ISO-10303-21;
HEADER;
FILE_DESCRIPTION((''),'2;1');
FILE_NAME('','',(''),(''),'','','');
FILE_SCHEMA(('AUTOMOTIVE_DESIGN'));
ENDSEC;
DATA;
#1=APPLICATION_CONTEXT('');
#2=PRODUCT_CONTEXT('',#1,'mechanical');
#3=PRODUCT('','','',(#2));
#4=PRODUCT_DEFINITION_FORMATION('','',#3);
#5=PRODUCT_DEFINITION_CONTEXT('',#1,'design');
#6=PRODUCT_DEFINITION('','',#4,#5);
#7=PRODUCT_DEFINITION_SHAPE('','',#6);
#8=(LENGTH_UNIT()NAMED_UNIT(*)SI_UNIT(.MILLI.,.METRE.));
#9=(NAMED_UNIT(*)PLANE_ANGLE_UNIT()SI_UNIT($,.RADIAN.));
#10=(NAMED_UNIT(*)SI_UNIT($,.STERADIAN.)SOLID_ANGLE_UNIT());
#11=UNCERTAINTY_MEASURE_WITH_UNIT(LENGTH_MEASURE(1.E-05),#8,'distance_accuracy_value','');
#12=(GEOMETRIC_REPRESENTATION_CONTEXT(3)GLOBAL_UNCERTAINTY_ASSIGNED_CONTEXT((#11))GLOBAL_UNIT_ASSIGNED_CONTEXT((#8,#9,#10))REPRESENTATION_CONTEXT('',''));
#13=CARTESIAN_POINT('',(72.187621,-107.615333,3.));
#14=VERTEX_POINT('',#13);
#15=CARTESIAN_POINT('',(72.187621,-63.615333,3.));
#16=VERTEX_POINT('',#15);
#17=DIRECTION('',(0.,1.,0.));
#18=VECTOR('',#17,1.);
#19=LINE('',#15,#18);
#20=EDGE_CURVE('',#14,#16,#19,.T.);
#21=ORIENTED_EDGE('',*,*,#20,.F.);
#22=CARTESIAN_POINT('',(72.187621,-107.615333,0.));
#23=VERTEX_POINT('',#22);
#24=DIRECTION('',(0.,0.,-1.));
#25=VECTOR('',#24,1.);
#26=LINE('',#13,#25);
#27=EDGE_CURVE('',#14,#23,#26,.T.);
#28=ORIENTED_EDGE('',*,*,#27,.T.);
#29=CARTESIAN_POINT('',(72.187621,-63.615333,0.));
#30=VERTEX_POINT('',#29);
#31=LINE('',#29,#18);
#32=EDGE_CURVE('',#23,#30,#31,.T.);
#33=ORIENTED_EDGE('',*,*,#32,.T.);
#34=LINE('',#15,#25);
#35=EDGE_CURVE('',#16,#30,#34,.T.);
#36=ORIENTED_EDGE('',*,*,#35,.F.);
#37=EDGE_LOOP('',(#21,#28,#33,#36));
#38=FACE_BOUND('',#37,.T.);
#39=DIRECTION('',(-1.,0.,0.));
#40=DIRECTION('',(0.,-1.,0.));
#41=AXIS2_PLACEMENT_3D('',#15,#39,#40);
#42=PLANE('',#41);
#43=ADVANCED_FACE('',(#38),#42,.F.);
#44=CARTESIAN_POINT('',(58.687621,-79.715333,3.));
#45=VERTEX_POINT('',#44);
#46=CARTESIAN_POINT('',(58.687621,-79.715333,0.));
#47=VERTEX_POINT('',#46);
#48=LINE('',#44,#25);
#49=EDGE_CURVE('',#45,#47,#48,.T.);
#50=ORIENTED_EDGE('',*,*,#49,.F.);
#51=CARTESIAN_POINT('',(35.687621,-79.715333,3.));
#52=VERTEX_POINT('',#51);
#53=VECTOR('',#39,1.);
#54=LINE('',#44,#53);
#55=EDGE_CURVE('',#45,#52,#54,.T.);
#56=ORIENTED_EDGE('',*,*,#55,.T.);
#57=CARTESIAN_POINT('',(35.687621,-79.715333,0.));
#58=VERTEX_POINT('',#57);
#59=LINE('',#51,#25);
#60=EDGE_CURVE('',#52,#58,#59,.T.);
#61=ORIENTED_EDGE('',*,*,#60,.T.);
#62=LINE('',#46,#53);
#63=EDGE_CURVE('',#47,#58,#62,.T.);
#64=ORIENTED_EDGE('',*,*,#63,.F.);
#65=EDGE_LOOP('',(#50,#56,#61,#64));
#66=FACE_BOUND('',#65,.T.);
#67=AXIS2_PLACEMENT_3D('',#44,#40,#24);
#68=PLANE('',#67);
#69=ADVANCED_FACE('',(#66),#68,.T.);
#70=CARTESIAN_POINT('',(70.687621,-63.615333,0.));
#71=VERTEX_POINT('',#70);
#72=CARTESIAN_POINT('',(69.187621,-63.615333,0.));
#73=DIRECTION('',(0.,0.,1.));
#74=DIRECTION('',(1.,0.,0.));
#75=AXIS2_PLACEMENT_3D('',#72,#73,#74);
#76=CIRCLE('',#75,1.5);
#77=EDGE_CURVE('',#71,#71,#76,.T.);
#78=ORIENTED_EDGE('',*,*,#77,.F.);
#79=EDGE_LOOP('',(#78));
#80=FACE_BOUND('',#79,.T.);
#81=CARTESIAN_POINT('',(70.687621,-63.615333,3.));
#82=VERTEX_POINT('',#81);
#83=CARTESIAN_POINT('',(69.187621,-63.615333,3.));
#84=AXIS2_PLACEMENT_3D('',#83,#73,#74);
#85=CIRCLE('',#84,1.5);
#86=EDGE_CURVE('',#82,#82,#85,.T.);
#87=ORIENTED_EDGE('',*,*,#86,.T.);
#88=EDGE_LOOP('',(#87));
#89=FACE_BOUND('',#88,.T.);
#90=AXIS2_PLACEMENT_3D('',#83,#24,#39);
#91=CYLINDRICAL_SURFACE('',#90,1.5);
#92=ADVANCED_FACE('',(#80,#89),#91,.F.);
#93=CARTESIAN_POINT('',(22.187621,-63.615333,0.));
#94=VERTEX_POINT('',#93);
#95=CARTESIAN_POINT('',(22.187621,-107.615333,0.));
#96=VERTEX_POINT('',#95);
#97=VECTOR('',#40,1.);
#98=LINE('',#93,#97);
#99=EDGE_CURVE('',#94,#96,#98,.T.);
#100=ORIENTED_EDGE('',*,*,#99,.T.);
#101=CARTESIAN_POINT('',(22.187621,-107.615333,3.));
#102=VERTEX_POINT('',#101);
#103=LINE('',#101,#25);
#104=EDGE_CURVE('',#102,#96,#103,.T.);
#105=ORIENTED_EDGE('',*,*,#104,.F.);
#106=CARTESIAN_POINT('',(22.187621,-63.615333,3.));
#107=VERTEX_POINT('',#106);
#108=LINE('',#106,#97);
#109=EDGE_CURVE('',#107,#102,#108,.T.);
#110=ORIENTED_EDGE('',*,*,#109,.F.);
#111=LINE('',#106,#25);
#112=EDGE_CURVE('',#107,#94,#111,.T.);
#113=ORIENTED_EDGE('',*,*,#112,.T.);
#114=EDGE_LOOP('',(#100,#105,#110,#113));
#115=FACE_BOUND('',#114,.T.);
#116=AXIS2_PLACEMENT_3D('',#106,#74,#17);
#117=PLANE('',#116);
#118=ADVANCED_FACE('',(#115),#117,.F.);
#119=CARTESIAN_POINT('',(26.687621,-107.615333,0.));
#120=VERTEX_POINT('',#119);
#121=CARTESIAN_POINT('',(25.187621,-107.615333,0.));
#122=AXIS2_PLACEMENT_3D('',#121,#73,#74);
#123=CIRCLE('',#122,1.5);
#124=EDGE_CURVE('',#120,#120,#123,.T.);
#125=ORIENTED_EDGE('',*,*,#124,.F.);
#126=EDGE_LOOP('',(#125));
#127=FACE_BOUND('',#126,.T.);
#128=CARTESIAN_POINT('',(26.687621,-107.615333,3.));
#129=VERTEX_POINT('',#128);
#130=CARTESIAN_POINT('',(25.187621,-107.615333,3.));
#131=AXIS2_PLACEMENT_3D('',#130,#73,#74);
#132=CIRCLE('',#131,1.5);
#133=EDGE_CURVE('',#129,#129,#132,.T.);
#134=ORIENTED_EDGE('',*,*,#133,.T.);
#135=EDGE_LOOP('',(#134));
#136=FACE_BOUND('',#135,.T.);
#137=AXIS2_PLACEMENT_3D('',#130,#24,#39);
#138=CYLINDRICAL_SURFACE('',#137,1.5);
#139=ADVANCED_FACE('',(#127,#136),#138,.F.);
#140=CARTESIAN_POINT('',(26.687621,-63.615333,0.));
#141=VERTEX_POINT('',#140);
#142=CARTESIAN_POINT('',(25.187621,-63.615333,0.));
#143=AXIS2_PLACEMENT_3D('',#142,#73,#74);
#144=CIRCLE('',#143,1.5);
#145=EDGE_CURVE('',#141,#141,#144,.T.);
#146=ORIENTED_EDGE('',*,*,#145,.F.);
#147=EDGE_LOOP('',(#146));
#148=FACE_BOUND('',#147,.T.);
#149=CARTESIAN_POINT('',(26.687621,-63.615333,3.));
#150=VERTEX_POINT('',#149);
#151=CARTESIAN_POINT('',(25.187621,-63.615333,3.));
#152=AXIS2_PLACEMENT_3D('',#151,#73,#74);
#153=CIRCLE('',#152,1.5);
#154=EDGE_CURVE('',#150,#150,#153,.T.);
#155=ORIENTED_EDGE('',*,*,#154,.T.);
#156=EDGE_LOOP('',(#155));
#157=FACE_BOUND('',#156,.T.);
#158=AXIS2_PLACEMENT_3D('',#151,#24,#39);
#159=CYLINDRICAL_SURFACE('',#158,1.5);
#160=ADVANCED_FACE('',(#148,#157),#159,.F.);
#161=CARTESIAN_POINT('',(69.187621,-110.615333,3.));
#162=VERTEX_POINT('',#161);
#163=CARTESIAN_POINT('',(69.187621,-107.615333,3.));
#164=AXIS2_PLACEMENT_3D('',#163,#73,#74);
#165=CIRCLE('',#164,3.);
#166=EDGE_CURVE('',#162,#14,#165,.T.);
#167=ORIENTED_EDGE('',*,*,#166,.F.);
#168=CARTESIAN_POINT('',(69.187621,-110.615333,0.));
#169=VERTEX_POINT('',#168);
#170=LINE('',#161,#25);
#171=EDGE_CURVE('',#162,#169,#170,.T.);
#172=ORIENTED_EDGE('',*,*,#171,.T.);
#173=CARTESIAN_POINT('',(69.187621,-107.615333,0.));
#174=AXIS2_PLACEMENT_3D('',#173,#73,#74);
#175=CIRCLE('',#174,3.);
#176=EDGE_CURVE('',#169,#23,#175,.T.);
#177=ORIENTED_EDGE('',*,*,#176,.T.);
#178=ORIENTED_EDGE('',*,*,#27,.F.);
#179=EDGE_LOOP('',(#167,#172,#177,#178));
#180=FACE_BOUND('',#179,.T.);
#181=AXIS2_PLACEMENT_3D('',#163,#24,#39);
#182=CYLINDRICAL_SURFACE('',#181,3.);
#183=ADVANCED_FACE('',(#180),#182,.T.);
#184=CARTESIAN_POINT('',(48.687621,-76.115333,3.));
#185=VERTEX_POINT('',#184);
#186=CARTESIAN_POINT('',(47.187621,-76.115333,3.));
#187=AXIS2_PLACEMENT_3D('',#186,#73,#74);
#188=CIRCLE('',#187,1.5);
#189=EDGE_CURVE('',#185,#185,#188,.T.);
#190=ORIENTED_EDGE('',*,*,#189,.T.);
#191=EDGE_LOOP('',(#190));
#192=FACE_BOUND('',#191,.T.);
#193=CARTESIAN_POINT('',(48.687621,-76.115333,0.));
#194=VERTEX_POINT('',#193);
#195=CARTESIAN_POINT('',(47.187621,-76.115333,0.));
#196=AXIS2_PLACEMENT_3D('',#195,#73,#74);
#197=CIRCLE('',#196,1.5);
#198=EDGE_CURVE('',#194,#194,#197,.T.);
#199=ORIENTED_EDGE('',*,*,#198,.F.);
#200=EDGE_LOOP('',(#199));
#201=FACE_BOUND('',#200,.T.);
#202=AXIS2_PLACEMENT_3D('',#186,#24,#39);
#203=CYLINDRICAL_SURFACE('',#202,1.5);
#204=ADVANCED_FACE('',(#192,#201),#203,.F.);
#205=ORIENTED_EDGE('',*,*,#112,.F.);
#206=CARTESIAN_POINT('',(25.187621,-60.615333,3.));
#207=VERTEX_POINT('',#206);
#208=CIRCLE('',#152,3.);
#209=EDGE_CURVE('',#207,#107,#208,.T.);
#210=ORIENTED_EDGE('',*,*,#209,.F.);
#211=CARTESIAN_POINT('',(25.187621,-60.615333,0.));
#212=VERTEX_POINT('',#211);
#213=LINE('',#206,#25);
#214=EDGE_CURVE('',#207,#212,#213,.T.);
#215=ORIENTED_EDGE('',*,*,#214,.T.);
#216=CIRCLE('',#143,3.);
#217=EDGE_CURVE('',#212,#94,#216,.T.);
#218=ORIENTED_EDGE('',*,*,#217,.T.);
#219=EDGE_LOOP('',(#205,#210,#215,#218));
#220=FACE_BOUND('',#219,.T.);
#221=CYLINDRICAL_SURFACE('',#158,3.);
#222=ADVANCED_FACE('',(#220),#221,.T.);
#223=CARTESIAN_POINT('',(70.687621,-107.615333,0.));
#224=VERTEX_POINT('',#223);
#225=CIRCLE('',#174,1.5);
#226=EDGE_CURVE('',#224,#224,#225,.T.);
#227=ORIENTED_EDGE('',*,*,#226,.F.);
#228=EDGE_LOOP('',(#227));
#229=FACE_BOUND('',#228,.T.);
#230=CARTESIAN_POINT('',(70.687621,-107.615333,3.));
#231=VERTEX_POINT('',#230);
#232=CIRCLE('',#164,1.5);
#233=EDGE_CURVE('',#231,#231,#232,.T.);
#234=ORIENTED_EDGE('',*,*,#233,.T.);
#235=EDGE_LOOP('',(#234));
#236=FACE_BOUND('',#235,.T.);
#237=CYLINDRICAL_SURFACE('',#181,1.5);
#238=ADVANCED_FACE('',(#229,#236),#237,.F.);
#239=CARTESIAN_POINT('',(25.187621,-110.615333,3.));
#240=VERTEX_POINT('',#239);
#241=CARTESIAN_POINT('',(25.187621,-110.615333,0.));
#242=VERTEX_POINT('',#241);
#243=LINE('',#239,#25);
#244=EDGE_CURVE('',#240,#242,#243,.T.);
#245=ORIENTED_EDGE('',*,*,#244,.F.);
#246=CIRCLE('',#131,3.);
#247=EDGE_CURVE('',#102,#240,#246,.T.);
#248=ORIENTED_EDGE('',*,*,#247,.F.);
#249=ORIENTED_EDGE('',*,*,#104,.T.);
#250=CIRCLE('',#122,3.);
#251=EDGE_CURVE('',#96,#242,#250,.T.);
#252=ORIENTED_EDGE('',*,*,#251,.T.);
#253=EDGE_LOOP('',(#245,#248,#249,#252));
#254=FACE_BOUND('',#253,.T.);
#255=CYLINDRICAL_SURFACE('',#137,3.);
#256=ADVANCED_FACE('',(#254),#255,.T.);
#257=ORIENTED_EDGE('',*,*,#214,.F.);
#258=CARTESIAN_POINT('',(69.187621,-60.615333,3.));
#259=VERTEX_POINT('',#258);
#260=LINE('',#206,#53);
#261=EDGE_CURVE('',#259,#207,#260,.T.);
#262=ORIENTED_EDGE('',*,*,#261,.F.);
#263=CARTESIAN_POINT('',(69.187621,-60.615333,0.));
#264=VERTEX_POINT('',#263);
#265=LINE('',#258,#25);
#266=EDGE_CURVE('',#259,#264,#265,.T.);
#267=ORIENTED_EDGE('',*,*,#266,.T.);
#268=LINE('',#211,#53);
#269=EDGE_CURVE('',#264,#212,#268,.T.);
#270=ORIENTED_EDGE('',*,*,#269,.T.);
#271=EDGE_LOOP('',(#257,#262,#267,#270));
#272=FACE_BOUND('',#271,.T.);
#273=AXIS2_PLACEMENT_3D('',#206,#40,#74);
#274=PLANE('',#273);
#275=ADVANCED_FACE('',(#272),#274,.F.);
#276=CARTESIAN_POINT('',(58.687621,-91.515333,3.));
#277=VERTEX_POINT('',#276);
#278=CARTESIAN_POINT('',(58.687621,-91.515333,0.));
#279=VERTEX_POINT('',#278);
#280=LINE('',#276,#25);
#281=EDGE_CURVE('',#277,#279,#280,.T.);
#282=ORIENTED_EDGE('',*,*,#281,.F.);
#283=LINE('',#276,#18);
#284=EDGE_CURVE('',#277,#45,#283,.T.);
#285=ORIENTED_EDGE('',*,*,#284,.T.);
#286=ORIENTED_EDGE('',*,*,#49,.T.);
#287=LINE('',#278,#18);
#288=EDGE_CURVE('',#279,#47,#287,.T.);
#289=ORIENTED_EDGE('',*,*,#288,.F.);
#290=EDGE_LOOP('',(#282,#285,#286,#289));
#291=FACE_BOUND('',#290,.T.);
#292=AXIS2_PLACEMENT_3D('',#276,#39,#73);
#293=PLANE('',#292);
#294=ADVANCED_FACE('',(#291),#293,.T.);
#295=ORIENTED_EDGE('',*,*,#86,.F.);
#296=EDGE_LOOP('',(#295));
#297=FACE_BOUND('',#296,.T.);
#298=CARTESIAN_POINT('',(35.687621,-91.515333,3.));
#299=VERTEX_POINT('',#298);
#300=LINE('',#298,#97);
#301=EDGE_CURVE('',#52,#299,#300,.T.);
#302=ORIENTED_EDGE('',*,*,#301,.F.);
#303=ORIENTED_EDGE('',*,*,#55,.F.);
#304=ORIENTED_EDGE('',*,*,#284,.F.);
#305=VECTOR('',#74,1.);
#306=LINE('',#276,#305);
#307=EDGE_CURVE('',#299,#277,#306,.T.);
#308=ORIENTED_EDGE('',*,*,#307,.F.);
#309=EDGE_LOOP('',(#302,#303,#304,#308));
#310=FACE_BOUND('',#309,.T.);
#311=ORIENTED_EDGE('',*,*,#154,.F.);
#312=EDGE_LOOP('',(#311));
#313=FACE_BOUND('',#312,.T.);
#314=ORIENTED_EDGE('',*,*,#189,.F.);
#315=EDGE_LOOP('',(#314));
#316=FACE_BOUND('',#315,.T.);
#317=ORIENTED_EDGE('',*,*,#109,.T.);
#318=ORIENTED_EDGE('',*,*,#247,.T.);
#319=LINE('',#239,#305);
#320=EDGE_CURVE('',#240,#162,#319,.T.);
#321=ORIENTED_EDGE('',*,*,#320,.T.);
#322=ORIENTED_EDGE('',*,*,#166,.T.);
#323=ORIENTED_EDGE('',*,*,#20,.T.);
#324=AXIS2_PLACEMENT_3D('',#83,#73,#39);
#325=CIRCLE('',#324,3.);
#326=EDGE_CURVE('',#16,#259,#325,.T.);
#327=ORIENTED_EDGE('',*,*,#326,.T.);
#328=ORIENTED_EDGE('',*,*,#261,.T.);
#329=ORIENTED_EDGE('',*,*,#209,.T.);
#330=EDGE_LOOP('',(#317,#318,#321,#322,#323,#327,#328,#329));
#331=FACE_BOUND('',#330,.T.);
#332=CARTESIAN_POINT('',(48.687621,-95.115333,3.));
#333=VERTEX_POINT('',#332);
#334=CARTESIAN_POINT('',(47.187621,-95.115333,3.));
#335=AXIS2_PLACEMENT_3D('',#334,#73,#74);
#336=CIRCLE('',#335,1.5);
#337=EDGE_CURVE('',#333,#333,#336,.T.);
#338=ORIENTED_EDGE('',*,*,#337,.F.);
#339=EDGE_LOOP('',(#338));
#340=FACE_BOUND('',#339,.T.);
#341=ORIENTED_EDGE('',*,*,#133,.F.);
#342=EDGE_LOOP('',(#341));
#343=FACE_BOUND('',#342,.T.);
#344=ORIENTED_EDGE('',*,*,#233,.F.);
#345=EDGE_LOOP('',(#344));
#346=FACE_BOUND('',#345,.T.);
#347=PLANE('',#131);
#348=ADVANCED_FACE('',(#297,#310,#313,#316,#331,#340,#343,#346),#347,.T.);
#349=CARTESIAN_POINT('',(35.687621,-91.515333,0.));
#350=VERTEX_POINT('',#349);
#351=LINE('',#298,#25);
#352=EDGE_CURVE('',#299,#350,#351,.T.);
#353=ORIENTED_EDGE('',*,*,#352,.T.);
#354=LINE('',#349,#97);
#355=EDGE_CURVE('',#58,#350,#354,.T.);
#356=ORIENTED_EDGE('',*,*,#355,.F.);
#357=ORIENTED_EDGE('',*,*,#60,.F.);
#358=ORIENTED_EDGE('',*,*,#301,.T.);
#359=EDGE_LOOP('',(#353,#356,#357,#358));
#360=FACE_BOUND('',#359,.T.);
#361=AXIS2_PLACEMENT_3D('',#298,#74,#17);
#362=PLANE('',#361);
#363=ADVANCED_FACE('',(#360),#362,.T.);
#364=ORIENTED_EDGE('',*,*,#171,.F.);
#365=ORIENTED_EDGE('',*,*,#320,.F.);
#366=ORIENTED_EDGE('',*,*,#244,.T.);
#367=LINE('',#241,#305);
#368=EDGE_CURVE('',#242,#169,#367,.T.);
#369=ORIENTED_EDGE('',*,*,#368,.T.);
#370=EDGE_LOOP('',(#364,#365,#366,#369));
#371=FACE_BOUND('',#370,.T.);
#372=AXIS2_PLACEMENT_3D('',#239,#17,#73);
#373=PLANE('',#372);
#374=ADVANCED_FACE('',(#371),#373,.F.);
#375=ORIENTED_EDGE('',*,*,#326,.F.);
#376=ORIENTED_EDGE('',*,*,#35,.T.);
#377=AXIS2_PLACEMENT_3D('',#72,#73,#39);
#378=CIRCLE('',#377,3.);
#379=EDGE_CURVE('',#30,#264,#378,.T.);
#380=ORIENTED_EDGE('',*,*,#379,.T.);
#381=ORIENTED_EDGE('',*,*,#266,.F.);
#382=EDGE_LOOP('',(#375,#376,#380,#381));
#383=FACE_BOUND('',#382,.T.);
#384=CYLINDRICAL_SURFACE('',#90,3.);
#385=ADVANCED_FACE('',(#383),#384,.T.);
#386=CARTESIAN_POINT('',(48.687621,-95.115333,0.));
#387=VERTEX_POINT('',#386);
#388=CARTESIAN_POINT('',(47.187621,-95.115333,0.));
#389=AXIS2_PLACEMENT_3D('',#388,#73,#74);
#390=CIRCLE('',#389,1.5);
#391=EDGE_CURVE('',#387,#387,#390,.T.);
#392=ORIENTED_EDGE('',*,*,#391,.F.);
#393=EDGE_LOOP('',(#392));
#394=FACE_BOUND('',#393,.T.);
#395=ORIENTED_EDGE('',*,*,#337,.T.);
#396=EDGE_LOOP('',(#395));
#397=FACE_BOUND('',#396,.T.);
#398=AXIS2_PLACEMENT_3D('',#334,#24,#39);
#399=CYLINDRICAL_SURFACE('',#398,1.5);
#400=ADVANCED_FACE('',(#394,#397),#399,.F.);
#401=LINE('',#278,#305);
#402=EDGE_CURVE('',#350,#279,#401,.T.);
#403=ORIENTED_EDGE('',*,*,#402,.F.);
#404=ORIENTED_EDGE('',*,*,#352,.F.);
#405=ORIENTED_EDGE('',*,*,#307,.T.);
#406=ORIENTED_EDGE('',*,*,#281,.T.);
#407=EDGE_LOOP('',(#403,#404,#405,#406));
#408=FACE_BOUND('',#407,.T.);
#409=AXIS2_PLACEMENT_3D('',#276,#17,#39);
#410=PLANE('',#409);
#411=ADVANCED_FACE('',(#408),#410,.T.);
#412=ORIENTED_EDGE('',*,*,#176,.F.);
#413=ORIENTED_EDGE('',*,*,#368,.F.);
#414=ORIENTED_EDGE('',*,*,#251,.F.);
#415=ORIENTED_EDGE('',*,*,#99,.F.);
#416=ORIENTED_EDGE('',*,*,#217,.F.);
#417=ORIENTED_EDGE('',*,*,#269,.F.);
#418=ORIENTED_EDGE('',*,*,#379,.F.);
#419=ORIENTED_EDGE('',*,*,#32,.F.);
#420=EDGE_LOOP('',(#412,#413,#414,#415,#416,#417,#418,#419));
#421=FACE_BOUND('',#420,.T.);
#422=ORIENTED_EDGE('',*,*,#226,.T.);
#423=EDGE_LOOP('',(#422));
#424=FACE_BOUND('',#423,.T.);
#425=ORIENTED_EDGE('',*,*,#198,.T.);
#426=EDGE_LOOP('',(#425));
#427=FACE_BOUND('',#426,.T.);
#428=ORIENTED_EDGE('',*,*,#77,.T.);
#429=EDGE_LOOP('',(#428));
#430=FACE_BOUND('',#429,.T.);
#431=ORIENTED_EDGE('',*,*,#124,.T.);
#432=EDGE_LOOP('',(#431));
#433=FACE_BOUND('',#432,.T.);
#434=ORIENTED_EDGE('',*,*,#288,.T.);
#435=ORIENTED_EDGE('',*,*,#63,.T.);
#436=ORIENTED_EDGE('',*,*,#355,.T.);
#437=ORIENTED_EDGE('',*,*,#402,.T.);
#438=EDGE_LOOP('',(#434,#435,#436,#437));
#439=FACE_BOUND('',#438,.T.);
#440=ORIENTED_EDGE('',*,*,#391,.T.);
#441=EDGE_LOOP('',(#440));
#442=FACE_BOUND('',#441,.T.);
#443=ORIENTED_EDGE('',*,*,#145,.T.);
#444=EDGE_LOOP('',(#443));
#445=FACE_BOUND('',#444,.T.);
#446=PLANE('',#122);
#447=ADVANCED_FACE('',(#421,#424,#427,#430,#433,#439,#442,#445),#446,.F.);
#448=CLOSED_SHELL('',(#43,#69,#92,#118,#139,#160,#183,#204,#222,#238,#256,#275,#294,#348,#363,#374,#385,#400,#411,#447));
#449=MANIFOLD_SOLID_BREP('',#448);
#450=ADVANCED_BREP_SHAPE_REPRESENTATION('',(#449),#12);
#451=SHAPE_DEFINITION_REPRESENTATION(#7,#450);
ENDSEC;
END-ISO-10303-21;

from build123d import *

# Parameters (mm, degrees)
ESQUISSE14_R        = 1.5
ESQUISSE14_W        = 23
ESQUISSE14_H        = 11.8
BOSS_EXTRU_14_DEPTH = 3


with BuildPart() as part:
    # Esquisse14 → Boss.-Extru.14 (new body)
    with BuildSketch(Plane.XY):
        with BuildLine():
            Line((25.187621145, -60.61533349), (69.187621145, -60.61533349))
            ThreePointArc((69.187621145, -60.61533349), (71.308941488, -61.494013147), (72.187621145, -63.61533349))
            Line((72.187621145, -63.61533349), (72.187621145, -107.61533349))
            ThreePointArc((72.187621145, -107.61533349), (71.308941488, -109.736653834), (69.187621145, -110.61533349))
            Line((69.187621145, -110.61533349), (25.187621145, -110.61533349))
            ThreePointArc((25.187621145, -110.61533349), (23.066300801, -109.736653834), (22.187621145, -107.61533349))
            Line((22.187621145, -107.61533349), (22.187621145, -63.61533349))
            ThreePointArc((22.187621145, -63.61533349), (23.066300801, -61.494013147), (25.187621145, -60.61533349))
        make_face()
        with Locations((47.187621145, -76.11533349)):
            Circle(ESQUISSE14_R, mode=Mode.SUBTRACT)
        with Locations((47.187621145, -95.11533349)):
            Circle(ESQUISSE14_R, mode=Mode.SUBTRACT)
        with Locations((25.187621145, -63.61533349)):
            Circle(ESQUISSE14_R, mode=Mode.SUBTRACT)
        with Locations((25.187621145, -107.61533349)):
            Circle(ESQUISSE14_R, mode=Mode.SUBTRACT)
        with Locations((69.187621145, -107.61533349)):
            Circle(ESQUISSE14_R, mode=Mode.SUBTRACT)
        with Locations((69.187621145, -63.61533349)):
            Circle(ESQUISSE14_R, mode=Mode.SUBTRACT)
        with Locations((47.187621145, -85.61533349)):
            Rectangle(ESQUISSE14_W, ESQUISSE14_H, mode=Mode.SUBTRACT)
    extrude(amount=BOSS_EXTRU_14_DEPTH)


solid = part.part
